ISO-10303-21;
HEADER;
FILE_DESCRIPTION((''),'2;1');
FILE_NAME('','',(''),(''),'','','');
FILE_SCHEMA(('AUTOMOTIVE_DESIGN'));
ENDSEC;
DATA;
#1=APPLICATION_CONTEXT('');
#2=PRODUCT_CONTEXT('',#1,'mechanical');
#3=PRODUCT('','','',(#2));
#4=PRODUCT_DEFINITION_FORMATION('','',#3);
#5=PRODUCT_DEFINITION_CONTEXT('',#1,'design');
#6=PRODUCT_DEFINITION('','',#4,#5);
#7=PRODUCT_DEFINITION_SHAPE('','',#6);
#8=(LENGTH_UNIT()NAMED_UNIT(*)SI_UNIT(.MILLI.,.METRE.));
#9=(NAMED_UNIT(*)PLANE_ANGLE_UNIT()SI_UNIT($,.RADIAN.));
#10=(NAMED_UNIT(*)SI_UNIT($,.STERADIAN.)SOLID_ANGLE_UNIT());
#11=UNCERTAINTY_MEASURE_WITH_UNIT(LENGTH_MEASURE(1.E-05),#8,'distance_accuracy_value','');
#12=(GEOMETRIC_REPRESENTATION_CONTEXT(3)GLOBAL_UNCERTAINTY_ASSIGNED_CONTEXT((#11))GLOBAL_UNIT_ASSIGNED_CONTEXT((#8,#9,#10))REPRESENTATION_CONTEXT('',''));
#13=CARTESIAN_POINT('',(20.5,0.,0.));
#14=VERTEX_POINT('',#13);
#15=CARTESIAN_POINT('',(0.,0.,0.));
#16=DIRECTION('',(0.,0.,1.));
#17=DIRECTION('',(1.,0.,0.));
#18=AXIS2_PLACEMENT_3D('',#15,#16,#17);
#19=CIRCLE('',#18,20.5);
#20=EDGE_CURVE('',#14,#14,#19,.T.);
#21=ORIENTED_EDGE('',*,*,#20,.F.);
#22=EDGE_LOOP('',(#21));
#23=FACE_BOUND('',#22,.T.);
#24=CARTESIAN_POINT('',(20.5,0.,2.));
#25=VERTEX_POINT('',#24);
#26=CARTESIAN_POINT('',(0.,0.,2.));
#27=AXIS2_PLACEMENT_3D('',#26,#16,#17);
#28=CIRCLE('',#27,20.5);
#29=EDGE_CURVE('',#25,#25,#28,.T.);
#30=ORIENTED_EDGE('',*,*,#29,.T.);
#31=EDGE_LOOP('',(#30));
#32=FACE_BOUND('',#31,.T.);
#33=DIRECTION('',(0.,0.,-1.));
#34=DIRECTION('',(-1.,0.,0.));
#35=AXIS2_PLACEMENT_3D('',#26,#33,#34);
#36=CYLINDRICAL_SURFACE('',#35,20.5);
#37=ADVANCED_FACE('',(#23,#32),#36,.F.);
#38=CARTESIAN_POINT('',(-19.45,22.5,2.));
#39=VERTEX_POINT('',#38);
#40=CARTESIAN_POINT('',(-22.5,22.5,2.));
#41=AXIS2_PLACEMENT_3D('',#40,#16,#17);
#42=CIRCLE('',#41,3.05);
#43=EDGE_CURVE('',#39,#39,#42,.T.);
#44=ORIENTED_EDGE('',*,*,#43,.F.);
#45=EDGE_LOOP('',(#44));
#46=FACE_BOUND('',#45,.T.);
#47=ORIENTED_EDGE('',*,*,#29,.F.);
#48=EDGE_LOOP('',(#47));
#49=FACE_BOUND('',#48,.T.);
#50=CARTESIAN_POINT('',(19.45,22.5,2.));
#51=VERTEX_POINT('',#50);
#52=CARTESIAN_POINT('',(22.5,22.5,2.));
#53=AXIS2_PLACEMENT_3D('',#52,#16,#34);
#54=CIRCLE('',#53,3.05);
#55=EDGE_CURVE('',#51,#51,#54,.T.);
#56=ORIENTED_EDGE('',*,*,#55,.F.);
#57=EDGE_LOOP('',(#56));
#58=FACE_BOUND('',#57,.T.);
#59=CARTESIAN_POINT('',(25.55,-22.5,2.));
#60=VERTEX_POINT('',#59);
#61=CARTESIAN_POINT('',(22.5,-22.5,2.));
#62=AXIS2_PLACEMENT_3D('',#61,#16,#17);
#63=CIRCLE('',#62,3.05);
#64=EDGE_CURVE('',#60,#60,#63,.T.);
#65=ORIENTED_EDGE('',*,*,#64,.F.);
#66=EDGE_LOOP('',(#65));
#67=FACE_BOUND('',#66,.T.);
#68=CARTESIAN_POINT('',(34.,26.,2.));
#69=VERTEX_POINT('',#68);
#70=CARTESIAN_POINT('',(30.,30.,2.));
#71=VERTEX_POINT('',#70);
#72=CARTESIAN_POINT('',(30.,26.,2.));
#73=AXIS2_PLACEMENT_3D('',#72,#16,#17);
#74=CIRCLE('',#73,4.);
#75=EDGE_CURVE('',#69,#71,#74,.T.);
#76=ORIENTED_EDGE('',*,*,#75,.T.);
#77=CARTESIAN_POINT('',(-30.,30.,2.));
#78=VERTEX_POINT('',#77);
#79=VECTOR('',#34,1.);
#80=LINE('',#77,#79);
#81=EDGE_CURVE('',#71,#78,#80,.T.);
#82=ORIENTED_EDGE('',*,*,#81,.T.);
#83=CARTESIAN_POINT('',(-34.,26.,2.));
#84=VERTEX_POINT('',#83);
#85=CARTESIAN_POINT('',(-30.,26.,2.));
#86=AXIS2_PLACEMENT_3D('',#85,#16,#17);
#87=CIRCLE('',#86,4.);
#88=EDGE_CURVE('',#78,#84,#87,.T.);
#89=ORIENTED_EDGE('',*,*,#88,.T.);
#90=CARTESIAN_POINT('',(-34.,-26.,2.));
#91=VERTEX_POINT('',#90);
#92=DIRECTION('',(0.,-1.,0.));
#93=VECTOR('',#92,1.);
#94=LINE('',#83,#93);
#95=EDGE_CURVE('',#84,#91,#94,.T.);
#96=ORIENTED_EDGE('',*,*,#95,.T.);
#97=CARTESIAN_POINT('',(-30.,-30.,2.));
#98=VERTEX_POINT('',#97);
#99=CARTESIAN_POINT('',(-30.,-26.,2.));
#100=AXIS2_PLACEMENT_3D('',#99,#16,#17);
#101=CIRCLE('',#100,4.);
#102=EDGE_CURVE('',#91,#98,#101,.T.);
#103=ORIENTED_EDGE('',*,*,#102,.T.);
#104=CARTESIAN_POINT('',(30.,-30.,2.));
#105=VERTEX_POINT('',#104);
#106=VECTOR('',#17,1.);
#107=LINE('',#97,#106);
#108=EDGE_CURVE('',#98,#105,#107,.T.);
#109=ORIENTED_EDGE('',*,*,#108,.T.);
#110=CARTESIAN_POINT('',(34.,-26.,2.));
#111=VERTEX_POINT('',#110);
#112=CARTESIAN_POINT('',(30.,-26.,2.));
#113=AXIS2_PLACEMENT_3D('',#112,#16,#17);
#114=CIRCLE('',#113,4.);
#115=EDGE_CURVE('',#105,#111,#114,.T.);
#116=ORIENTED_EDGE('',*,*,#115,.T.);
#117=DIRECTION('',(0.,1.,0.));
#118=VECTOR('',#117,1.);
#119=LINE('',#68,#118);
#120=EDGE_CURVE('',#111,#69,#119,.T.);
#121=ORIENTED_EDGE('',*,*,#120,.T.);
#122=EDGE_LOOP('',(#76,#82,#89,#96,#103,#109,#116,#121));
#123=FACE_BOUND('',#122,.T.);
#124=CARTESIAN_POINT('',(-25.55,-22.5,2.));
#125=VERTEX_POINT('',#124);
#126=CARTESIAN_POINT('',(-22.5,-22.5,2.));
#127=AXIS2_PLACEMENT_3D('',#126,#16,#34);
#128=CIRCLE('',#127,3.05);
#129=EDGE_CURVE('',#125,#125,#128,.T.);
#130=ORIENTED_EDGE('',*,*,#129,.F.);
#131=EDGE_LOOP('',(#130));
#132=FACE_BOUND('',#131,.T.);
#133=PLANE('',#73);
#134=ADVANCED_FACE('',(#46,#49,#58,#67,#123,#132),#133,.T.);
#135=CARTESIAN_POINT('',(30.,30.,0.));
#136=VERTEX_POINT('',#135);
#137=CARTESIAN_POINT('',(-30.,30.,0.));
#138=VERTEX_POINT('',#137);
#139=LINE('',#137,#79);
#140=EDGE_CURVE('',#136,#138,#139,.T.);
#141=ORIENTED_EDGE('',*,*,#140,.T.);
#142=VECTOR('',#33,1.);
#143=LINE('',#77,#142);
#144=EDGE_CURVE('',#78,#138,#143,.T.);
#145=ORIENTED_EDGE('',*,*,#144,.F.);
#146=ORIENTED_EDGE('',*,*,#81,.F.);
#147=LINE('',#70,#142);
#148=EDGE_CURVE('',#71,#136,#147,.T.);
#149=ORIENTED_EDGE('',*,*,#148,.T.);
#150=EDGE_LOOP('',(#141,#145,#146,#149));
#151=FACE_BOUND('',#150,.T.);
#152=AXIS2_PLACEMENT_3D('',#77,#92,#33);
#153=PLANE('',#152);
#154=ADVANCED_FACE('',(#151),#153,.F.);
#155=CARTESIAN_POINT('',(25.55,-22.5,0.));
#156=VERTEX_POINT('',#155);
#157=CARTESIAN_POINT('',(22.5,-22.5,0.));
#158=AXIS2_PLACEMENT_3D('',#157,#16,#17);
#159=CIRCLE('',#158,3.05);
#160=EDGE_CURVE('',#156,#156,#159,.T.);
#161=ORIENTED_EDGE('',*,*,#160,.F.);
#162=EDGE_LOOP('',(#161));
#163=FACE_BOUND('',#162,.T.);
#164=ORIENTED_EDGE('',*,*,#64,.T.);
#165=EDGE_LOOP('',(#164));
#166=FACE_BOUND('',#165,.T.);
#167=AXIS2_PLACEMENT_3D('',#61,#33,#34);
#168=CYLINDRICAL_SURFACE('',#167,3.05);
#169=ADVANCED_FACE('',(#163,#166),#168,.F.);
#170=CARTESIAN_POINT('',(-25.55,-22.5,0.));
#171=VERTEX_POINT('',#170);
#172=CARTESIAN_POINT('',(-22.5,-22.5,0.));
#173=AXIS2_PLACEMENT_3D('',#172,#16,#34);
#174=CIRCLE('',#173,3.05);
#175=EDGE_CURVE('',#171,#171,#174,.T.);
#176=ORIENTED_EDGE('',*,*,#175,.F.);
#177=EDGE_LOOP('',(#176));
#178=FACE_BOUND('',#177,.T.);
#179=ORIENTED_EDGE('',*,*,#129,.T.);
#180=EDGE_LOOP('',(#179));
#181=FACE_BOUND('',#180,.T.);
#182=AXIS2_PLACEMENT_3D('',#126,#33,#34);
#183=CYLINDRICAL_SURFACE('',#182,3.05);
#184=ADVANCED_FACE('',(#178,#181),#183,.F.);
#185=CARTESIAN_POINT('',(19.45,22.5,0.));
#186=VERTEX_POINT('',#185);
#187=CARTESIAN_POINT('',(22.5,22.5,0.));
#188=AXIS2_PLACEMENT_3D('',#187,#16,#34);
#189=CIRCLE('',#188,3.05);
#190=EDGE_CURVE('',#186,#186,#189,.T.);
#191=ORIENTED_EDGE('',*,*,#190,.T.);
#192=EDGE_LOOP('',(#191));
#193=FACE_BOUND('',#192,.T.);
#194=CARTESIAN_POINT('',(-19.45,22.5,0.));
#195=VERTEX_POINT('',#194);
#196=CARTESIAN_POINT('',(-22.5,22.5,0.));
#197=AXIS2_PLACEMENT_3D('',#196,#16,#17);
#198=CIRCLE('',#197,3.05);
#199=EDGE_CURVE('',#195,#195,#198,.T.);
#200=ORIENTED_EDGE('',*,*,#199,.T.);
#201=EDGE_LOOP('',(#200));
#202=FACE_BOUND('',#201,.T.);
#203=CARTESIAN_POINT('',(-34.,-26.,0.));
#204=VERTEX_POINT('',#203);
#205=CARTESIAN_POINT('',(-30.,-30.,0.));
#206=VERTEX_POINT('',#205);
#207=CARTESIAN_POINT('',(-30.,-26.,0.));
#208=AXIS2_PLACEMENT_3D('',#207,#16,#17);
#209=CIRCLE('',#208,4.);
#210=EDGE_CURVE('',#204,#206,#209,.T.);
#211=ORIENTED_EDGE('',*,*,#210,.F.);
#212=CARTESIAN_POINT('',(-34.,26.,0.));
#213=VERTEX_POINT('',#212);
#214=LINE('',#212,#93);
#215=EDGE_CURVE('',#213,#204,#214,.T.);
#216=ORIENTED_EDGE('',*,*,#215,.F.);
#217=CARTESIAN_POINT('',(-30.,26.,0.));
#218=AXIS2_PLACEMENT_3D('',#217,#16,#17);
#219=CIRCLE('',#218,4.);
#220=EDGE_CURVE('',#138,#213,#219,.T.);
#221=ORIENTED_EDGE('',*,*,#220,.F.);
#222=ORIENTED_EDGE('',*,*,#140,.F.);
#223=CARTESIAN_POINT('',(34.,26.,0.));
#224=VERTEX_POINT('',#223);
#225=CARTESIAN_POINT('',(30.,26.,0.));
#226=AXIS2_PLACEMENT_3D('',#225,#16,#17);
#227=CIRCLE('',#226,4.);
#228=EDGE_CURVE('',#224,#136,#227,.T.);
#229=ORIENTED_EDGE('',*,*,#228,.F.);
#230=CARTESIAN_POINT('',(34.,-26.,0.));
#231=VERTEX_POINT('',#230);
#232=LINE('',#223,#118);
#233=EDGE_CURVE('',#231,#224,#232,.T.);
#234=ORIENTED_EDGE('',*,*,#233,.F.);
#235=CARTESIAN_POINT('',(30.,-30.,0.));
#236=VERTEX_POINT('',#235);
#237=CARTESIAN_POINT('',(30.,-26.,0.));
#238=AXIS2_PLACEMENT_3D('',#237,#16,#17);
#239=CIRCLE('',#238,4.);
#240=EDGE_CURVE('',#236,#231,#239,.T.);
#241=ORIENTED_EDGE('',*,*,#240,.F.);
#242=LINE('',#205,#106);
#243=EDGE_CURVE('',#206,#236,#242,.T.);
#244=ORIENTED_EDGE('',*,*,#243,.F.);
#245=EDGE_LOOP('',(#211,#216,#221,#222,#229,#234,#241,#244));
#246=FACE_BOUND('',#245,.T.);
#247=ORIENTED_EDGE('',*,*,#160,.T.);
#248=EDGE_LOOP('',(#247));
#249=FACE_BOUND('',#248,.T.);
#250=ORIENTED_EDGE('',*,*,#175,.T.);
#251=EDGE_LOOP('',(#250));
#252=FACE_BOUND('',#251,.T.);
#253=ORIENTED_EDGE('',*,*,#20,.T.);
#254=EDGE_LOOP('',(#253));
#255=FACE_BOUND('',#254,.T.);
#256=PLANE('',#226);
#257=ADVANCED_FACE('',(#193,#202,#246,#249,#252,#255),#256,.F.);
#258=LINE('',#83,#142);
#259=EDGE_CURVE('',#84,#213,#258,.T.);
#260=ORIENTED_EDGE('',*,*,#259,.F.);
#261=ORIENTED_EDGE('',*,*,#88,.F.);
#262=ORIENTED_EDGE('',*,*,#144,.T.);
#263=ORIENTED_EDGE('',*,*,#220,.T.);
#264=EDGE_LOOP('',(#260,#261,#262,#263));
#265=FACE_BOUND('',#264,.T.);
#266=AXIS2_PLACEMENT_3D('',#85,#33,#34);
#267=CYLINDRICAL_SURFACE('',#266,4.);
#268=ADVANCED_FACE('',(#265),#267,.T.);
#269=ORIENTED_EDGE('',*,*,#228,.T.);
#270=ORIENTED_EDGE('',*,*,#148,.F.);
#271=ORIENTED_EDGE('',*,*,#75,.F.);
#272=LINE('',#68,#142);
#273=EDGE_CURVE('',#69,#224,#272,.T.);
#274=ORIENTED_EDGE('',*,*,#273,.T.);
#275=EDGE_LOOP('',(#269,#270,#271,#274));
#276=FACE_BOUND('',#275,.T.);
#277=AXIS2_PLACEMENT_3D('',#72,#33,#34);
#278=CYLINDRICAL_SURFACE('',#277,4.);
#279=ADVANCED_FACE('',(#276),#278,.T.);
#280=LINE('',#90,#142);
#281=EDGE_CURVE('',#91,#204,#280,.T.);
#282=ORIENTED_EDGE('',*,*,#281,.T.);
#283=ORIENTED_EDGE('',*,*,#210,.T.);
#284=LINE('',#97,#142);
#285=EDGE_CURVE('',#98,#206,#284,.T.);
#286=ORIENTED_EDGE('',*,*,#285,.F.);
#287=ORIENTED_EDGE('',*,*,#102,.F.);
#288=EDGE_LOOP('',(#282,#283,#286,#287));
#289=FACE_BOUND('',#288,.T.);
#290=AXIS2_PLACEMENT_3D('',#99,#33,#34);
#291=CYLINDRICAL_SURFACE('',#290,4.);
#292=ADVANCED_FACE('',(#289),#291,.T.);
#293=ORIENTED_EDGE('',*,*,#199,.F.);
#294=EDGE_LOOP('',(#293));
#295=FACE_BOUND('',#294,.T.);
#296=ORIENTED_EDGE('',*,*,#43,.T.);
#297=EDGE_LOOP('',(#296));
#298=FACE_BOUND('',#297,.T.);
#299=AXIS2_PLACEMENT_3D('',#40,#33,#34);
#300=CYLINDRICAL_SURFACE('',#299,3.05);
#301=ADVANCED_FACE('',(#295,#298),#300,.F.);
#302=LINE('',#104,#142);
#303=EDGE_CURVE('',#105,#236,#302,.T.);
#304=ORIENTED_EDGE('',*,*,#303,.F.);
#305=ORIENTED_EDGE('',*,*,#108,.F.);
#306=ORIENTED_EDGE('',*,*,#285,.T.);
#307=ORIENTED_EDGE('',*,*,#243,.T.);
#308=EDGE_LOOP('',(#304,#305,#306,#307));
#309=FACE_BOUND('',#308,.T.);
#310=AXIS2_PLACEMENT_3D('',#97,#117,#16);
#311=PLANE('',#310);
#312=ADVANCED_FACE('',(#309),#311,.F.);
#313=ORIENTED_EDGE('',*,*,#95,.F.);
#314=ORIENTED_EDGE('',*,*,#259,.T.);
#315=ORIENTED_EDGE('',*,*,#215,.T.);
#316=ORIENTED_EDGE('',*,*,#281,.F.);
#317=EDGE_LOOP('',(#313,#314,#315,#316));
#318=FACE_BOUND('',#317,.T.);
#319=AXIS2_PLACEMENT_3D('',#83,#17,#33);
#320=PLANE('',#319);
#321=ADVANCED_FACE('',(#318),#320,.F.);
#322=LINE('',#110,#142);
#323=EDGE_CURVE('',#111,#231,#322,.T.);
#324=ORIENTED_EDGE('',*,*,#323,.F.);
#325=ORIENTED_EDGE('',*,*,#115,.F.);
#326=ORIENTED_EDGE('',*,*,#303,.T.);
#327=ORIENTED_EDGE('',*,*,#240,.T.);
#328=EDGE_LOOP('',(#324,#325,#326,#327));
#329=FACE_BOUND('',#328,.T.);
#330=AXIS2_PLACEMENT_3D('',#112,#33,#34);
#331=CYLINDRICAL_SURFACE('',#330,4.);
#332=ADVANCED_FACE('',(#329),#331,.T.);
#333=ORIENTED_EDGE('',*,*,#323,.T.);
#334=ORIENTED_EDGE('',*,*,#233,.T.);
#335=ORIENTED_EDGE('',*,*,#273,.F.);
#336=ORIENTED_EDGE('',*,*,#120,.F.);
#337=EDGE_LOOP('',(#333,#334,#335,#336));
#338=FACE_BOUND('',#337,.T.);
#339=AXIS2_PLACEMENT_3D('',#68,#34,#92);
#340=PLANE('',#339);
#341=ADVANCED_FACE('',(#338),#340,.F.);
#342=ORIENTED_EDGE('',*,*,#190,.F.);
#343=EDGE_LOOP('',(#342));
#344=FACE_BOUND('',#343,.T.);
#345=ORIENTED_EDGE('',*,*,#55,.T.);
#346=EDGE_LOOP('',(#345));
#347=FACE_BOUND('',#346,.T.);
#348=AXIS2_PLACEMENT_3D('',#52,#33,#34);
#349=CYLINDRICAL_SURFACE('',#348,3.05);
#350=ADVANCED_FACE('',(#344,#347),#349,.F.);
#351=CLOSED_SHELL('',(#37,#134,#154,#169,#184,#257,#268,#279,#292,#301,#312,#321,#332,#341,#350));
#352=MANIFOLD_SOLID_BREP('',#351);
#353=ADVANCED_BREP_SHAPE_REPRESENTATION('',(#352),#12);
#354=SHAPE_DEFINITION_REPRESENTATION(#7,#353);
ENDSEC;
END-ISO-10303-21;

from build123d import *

# Parameters (mm, degrees)
SKETCH1_R           = 3.05
SKETCH1_R_2         = 20.5
BOSS_EXTRUDE1_DEPTH = 2


with BuildPart() as part:
    # Sketch1 → Boss-Extrude1 (new body)
    with BuildSketch(Plane.XY):
        with BuildLine():
            Line((-30, 30), (30, 30))
            ThreePointArc((30, 30), (32.828427125, 28.828427125), (34, 26))
            Line((34, 26), (34, -26))
            ThreePointArc((34, -26), (32.828427125, -28.828427125), (30, -30))
            Line((30, -30), (-30, -30))
            ThreePointArc((-30, -30), (-32.828427125, -28.828427125), (-34, -26))
            Line((-34, -26), (-34, 26))
            ThreePointArc((-34, 26), (-32.828427125, 28.828427125), (-30, 30))
        make_face()
        with Locations((22.5, -22.5)):
            Circle(SKETCH1_R, mode=Mode.SUBTRACT)
        with Locations(Location((-22.5, -22.5, 0), (0, 0, 180))):
            Circle(SKETCH1_R, mode=Mode.SUBTRACT)
        with Locations((-22.5, 22.5)):
            Circle(SKETCH1_R, mode=Mode.SUBTRACT)
        with Locations(Location((22.5, 22.5, 0), (0, 0, 180))):
            Circle(SKETCH1_R, mode=Mode.SUBTRACT)
        Circle(SKETCH1_R_2, mode=Mode.SUBTRACT)
    extrude(amount=BOSS_EXTRUDE1_DEPTH)


solid = part.part
